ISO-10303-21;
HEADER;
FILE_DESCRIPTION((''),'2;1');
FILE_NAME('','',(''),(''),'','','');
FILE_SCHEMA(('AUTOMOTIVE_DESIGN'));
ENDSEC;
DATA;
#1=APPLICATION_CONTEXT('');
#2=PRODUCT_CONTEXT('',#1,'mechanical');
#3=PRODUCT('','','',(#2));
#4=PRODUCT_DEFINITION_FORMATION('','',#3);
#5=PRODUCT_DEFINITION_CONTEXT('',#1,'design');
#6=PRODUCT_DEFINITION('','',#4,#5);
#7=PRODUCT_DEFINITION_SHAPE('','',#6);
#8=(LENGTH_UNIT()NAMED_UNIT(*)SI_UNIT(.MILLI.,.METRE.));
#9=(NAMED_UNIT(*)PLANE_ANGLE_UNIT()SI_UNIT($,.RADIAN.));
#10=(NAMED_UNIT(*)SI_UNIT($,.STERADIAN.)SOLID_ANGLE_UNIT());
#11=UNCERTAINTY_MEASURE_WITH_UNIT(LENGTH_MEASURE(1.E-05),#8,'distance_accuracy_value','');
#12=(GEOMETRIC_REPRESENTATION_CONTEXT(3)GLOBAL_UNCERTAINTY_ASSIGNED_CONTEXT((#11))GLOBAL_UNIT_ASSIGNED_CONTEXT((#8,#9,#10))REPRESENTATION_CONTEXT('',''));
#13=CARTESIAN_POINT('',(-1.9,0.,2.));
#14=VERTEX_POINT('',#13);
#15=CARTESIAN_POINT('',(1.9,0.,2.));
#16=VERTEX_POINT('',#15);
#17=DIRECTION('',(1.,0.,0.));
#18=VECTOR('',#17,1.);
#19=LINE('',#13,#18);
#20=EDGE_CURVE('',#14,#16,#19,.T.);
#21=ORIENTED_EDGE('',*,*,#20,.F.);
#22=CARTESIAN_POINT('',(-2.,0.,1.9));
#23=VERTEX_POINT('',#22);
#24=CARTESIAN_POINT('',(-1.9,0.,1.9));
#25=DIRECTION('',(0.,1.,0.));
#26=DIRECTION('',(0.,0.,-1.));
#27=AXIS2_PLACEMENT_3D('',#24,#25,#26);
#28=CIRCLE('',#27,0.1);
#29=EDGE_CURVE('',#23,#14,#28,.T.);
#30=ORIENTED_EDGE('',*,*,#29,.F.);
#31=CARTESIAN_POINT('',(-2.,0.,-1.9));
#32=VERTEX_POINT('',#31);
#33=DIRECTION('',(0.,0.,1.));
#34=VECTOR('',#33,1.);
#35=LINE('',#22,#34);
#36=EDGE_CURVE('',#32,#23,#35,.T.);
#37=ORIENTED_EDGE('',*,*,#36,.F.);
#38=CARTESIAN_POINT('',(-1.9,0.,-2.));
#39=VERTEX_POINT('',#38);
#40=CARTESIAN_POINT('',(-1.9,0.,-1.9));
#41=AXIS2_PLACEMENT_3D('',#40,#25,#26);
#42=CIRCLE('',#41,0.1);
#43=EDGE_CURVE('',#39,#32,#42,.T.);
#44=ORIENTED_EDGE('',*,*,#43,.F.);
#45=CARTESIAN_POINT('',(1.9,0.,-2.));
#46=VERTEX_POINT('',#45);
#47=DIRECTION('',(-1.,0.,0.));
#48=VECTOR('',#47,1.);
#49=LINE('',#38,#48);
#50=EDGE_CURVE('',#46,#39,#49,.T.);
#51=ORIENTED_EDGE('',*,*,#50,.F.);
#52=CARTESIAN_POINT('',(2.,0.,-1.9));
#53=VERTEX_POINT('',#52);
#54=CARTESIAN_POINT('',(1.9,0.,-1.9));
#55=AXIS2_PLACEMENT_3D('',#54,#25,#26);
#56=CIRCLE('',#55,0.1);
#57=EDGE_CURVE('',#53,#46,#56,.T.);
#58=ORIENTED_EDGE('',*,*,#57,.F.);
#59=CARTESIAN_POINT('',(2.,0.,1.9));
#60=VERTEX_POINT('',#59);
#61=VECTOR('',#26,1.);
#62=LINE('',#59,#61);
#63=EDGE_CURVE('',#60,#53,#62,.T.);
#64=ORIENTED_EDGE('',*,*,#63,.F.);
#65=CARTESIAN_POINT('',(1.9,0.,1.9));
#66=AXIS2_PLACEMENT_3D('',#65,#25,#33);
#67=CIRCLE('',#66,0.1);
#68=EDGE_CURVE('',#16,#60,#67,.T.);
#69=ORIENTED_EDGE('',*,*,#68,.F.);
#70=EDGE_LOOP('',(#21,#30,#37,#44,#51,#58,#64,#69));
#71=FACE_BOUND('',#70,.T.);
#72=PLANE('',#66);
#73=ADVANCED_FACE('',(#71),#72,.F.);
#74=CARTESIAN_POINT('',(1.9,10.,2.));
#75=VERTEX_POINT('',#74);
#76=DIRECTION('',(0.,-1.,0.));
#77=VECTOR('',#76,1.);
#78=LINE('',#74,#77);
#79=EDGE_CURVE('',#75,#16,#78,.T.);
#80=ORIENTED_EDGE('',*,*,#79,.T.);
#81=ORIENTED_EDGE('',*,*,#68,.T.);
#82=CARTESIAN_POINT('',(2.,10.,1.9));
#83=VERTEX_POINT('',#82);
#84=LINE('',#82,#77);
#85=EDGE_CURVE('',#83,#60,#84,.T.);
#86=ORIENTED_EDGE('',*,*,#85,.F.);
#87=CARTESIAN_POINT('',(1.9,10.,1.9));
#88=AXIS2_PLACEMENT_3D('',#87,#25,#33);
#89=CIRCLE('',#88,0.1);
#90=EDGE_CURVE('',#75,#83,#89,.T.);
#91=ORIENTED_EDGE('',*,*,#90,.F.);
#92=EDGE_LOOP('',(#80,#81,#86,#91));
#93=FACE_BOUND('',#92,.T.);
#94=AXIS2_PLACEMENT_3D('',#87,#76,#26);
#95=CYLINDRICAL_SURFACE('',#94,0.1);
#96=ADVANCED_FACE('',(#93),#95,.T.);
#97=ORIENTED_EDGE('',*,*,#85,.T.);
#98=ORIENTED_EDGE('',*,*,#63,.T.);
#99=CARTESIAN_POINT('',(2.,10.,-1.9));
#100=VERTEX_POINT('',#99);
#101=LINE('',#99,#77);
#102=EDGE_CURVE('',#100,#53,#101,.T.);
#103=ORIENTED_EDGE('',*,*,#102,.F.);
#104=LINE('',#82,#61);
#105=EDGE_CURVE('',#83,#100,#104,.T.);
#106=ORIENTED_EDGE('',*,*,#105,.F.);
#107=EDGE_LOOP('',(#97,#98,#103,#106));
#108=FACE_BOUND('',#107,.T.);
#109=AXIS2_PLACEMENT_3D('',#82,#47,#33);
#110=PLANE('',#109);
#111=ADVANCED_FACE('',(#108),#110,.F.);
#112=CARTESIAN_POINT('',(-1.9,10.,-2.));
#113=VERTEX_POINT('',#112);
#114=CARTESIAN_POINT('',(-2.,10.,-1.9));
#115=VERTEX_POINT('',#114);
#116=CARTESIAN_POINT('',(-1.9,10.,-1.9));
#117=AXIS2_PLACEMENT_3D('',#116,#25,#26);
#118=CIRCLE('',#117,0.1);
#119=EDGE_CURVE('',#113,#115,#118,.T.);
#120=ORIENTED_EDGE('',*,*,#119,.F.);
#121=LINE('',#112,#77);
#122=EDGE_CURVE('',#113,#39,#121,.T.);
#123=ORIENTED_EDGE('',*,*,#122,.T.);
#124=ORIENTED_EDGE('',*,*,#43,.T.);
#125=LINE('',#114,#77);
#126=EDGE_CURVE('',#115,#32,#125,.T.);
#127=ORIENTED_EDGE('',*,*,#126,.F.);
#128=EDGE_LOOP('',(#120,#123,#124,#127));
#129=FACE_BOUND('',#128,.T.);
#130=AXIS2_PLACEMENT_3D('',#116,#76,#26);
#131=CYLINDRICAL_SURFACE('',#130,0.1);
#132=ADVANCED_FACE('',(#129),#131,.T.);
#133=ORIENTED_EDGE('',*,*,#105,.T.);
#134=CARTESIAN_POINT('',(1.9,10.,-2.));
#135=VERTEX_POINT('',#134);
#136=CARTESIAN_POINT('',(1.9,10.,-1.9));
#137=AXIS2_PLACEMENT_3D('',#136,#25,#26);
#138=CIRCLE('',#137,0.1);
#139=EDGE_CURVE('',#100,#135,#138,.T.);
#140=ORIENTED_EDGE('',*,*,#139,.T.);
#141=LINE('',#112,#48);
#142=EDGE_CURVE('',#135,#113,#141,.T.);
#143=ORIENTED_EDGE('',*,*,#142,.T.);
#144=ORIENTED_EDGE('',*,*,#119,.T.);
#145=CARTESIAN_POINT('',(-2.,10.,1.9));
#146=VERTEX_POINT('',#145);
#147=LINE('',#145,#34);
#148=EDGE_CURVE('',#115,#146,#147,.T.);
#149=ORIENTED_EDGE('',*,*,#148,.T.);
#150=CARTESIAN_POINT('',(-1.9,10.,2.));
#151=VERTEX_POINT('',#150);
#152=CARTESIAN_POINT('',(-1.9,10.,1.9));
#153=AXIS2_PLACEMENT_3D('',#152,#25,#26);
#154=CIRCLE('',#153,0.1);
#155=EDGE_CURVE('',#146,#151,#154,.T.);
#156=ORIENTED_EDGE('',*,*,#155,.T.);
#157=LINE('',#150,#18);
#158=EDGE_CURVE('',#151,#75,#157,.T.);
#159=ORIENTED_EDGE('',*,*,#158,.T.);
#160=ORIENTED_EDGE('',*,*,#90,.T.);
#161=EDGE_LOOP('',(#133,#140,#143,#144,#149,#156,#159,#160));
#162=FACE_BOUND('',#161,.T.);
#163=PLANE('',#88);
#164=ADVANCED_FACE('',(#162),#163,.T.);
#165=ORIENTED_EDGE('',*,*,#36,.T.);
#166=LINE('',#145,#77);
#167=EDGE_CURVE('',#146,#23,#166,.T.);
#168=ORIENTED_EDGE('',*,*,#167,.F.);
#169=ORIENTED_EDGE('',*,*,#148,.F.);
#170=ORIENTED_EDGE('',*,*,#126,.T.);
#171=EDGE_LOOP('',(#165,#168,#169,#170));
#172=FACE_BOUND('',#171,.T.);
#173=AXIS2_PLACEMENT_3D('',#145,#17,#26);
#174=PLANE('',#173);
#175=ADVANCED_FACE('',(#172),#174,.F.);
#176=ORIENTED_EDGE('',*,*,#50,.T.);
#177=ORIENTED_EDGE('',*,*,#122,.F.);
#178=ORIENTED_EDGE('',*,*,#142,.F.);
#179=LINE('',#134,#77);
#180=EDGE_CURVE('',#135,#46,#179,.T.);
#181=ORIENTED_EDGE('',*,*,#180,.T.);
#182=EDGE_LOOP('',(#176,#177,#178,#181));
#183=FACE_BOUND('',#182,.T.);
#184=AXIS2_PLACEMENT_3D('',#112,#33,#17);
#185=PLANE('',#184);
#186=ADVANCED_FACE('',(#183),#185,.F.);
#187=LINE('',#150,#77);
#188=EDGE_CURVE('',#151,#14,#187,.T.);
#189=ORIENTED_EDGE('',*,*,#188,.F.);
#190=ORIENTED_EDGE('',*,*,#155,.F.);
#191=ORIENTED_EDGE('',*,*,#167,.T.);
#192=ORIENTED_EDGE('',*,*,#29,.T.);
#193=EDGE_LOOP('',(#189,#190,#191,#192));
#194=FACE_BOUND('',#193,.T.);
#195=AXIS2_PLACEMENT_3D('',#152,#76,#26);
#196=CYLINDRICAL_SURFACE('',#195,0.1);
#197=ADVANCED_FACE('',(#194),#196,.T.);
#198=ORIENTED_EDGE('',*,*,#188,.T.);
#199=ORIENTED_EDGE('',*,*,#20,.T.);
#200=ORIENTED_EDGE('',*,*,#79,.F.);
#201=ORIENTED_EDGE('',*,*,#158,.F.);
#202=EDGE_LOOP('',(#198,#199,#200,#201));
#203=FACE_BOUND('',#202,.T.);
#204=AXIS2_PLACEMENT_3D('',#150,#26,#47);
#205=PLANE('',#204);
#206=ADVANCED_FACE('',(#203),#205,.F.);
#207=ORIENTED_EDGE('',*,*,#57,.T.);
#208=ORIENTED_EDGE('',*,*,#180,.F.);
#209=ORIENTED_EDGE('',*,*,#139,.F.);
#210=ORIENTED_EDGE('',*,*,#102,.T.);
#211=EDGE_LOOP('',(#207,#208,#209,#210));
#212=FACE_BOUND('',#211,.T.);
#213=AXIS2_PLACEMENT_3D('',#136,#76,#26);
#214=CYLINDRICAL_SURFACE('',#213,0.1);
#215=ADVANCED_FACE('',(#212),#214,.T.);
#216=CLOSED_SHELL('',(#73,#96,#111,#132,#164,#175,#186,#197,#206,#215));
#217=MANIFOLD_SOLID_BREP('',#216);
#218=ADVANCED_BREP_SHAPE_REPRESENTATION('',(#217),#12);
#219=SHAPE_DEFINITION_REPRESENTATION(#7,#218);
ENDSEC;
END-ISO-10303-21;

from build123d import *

# Parameters (mm, degrees)
BOSS_EXTRUDE1_DEPTH = 10


with BuildPart() as part:
    # Sketch1 → Boss-Extrude1 (new body)
    with BuildSketch(Plane(origin=(0, 0, 0), x_dir=(1, 0, 0), z_dir=(0, 1, 0))):
        with BuildLine():
            Line((-1.9, -2), (1.9, -2))
            ThreePointArc((1.9, -2), (1.970710678, -1.970710678), (2, -1.9))
            Line((2, -1.9), (2, 1.9))
            ThreePointArc((2, 1.9), (1.970710678, 1.970710678), (1.9, 2))
            Line((1.9, 2), (-1.9, 2))
            ThreePointArc((-1.9, 2), (-1.970710678, 1.970710678), (-2, 1.9))
            Line((-2, 1.9), (-2, -1.9))
            ThreePointArc((-2, -1.9), (-1.970710678, -1.970710678), (-1.9, -2))
        make_face()
    extrude(amount=BOSS_EXTRUDE1_DEPTH)


solid = part.part
